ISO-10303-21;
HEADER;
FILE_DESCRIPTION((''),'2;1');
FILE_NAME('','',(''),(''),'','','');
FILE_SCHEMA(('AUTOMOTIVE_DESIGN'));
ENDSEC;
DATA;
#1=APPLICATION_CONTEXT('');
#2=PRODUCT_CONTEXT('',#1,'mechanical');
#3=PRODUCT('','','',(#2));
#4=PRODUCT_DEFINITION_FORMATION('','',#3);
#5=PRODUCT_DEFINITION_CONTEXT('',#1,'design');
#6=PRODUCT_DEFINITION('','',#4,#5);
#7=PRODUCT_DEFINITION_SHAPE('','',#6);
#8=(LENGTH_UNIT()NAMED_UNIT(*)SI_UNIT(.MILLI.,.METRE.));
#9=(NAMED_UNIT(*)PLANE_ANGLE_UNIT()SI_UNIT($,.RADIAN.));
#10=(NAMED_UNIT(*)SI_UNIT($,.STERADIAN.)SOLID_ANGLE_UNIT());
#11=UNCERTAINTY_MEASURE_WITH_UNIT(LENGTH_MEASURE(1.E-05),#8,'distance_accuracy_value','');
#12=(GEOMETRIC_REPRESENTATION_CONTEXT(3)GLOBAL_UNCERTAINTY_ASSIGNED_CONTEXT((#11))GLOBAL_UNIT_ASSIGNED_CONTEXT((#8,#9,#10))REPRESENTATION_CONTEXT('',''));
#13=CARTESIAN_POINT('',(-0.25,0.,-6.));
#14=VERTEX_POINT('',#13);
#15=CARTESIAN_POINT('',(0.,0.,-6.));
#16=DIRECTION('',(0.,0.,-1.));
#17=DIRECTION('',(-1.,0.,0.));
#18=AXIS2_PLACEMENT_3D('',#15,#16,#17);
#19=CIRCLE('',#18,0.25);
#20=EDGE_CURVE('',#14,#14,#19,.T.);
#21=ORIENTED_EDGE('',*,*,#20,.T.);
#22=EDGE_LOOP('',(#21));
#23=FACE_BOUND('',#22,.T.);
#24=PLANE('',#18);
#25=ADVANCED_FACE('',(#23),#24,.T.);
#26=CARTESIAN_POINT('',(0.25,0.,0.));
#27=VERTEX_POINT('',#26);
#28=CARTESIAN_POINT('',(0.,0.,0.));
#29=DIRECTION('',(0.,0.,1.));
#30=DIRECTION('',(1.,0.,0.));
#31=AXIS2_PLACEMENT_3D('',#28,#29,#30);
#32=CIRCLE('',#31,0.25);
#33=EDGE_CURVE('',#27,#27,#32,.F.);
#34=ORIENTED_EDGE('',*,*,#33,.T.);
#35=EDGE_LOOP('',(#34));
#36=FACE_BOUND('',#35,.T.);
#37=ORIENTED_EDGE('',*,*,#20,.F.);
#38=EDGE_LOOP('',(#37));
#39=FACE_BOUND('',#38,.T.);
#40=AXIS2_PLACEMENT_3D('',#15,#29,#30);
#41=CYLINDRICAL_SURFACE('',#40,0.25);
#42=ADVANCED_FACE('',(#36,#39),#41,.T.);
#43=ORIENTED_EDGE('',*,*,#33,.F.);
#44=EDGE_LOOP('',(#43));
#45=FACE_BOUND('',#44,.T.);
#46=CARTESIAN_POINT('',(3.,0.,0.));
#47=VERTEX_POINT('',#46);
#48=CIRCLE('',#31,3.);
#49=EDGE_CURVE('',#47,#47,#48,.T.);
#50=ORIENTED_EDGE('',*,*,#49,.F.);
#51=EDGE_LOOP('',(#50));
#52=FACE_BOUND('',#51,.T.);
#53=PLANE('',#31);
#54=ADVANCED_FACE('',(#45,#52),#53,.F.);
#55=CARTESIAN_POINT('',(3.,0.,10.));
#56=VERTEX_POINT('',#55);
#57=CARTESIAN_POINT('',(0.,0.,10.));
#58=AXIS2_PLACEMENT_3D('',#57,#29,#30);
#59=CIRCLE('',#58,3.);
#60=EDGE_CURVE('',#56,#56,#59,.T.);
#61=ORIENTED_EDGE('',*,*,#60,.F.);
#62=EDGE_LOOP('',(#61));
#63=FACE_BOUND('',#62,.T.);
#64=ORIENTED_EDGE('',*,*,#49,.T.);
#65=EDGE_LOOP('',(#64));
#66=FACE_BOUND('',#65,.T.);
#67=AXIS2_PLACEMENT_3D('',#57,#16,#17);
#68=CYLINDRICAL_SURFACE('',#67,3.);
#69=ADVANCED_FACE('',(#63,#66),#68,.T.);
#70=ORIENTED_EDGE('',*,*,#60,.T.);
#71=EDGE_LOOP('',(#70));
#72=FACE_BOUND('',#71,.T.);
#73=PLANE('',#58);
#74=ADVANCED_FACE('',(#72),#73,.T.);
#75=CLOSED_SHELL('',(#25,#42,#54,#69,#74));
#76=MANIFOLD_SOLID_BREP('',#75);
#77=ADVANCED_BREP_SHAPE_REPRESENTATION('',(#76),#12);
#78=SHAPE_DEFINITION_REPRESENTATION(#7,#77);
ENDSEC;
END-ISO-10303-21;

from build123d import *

# Parameters (mm, degrees)
SKETCH1_R           = 3
BOSS_EXTRUDE1_DEPTH = 10
SKETCH2_R           = 0.25
BOSS_EXTRUDE2_DEPTH = 6


with BuildPart() as part:
    # Sketch1 → Boss-Extrude1 (new body)
    with BuildSketch(Plane.XY):
        Circle(SKETCH1_R)
    extrude(amount=BOSS_EXTRUDE1_DEPTH)

    # Sketch2 → Boss-Extrude2 (add)
    with BuildSketch(Plane(origin=(0, 0, 0), x_dir=(-1, 0, 0), z_dir=(0, 0, -1))):
        with Locations(Location((0, 0, 0), (0, 0, 180))):
            Circle(SKETCH2_R)
    extrude(amount=BOSS_EXTRUDE2_DEPTH)


solid = part.part
